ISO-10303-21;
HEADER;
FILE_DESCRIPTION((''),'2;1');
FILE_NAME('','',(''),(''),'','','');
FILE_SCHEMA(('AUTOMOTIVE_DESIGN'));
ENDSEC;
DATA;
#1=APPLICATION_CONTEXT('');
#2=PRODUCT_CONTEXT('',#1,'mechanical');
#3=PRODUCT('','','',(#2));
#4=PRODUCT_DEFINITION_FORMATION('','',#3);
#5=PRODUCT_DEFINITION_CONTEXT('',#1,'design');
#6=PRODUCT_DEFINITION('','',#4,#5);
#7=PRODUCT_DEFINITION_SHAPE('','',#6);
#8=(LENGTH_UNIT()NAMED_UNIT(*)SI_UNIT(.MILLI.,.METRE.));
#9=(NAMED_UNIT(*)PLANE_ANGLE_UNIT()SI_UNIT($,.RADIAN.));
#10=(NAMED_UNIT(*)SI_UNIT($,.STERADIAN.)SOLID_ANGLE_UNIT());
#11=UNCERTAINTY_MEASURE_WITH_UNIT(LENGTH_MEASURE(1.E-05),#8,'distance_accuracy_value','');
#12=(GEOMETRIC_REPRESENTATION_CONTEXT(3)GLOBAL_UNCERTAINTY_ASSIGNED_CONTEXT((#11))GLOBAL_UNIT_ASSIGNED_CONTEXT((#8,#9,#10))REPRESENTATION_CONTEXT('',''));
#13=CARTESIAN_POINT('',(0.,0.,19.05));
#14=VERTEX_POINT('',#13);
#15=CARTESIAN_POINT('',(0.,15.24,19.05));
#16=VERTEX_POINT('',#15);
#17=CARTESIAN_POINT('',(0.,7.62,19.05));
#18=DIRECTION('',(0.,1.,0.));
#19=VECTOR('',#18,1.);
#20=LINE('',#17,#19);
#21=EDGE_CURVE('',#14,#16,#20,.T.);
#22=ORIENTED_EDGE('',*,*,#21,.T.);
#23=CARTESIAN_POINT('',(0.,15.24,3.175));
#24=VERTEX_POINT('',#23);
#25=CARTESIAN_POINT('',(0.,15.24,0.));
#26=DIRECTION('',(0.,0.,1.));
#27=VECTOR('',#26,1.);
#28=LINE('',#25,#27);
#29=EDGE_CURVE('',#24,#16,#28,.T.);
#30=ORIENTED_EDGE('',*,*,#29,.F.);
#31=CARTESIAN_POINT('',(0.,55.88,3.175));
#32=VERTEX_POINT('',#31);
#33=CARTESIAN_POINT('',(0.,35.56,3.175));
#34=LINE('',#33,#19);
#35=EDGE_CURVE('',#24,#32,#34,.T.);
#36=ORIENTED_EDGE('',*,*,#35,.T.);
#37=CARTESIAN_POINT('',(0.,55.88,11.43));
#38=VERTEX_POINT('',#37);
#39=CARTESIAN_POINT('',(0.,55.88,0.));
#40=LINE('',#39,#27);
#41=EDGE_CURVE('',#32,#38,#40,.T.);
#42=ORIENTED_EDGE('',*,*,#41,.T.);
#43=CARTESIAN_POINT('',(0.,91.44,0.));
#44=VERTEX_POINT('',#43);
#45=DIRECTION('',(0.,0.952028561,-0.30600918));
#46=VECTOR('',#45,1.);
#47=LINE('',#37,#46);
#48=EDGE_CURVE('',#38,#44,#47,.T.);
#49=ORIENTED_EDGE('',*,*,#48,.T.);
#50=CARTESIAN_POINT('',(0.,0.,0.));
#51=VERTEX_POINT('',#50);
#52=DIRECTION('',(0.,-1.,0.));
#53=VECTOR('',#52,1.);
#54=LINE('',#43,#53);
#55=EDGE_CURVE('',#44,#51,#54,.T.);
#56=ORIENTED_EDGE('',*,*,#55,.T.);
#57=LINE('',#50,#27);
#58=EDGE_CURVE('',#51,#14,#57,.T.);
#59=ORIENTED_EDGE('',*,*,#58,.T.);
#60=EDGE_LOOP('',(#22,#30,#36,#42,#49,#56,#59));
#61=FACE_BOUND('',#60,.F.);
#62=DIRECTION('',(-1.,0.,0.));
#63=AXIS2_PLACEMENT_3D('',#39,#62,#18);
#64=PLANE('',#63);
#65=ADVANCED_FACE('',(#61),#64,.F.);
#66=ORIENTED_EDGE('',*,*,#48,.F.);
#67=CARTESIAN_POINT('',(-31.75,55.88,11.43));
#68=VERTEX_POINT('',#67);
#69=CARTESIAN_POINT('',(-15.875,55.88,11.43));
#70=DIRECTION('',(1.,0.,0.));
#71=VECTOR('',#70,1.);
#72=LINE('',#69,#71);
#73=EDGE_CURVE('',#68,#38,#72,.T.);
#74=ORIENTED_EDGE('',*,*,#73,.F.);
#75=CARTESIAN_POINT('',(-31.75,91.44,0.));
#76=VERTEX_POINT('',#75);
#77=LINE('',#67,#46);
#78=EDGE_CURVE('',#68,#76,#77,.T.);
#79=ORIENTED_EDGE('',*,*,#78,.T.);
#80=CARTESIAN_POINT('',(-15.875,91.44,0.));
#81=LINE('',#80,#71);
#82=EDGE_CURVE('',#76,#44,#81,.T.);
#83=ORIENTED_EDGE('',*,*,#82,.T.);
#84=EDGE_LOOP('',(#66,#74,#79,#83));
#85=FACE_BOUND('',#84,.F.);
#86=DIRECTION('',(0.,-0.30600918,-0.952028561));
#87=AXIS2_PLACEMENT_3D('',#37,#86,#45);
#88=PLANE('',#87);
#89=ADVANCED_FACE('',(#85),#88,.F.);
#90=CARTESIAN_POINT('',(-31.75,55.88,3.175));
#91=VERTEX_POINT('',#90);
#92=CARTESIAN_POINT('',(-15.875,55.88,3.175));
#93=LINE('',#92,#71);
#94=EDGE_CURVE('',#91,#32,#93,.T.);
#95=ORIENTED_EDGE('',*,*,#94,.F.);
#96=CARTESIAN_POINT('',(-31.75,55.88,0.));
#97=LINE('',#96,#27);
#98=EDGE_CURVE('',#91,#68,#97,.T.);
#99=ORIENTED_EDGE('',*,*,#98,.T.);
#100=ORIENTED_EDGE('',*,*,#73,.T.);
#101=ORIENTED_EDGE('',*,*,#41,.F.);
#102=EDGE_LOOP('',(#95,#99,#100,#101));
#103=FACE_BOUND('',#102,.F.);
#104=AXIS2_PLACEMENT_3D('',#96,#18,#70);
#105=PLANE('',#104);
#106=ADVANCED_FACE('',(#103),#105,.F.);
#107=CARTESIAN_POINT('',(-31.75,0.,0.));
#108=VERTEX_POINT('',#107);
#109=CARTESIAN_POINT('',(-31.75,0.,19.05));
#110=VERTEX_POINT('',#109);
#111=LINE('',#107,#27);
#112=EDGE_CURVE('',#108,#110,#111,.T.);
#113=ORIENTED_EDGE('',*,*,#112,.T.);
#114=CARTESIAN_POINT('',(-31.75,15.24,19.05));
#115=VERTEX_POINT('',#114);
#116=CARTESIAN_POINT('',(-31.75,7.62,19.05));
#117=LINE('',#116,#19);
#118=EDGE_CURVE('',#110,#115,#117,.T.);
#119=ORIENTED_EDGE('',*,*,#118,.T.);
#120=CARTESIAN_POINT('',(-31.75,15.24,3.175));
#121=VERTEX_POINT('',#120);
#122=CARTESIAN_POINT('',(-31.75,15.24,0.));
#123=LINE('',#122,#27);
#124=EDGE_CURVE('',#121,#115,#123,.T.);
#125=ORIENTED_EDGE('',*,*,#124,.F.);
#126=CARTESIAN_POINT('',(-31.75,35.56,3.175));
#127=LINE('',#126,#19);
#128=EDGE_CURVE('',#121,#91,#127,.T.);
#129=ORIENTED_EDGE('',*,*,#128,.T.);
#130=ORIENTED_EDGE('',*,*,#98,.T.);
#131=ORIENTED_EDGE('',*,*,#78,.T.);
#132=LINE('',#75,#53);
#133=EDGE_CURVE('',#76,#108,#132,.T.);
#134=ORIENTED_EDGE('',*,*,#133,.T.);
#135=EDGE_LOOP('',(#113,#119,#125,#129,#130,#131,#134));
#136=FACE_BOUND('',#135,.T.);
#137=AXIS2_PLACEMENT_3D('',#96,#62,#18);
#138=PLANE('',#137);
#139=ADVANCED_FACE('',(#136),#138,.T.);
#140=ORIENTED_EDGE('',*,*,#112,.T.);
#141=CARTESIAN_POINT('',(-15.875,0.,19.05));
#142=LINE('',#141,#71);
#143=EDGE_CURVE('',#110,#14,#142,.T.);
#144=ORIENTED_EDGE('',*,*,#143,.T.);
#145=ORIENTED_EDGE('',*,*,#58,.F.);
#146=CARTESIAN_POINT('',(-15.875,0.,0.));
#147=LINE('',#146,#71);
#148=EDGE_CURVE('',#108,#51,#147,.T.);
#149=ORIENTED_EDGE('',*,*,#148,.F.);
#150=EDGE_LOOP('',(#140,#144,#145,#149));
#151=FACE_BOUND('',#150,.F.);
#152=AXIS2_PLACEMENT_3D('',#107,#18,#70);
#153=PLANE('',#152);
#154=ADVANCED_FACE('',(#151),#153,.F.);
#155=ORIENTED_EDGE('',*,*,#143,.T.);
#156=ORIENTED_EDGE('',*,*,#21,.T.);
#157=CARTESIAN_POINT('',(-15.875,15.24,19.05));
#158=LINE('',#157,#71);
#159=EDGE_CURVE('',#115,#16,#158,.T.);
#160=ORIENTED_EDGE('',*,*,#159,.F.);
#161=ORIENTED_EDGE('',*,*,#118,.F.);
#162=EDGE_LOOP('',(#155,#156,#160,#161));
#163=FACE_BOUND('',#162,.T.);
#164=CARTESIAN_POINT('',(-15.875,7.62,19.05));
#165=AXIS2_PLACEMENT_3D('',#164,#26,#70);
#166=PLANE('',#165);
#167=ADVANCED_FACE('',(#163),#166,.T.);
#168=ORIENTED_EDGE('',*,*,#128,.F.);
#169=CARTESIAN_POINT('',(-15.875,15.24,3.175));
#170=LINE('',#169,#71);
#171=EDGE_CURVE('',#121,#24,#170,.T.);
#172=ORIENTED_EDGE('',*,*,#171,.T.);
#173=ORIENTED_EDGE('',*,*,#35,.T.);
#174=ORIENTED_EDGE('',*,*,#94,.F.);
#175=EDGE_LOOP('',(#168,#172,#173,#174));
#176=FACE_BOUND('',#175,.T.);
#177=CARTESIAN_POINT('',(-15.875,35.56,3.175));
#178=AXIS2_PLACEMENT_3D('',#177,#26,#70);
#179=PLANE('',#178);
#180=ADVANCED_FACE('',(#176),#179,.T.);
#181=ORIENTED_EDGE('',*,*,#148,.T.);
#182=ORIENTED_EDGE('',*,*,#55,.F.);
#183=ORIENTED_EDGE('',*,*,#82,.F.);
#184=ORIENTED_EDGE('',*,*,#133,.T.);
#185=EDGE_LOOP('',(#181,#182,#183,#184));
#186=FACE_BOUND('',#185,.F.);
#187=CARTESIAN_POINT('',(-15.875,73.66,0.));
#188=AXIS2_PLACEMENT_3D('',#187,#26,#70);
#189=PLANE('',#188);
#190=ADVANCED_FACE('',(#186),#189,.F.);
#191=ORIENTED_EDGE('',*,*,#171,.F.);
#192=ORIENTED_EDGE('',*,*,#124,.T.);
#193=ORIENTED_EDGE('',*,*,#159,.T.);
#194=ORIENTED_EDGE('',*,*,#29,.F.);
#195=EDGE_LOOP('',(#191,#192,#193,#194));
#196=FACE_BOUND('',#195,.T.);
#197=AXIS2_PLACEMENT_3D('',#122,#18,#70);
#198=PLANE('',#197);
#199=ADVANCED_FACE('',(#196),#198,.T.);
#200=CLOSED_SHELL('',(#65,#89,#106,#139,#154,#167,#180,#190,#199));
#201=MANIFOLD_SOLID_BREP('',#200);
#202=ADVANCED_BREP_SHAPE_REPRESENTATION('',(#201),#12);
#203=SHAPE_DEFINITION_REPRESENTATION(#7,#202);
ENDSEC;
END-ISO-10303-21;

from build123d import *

# Parameters (mm, degrees)
F0_W     = 31.75
F0_H     = 40.64
F1_DEPTH = 3.175
F0_H_2   = 15.24
F2_DEPTH = 19.05
F0_H_3   = 35.56
F3_DEPTH = 11.43
F5_DEPTH = 31.75


with BuildPart() as f1:
    # F0 (on Top) → F1 (new body)
    with BuildSketch(Plane.XY):
        with Locations((-15.875, 35.56)):
            Rectangle(F0_W, F0_H)
    extrude(amount=F1_DEPTH)

    # F0 (on Top) → F2 (join)
    with BuildSketch(Plane.XY):
        with Locations((-15.875, 7.62)):
            Rectangle(F0_W, F0_H_2)
    extrude(amount=F2_DEPTH)

    # F0 (on Top) → F3 (join)
    with BuildSketch(Plane.XY):
        with Locations((-15.875, 73.66)):
            Rectangle(F0_W, F0_H_3)
    extrude(amount=F3_DEPTH)

    # F4 (on face) → F5 (cut, through all)
    with BuildSketch(Plane.YZ):
        Polygon((91.44, 11.43), (55.88, 11.43), (91.44, 0), align=None)
    extrude(amount=-F5_DEPTH, mode=Mode.SUBTRACT)


solid = f1.part
